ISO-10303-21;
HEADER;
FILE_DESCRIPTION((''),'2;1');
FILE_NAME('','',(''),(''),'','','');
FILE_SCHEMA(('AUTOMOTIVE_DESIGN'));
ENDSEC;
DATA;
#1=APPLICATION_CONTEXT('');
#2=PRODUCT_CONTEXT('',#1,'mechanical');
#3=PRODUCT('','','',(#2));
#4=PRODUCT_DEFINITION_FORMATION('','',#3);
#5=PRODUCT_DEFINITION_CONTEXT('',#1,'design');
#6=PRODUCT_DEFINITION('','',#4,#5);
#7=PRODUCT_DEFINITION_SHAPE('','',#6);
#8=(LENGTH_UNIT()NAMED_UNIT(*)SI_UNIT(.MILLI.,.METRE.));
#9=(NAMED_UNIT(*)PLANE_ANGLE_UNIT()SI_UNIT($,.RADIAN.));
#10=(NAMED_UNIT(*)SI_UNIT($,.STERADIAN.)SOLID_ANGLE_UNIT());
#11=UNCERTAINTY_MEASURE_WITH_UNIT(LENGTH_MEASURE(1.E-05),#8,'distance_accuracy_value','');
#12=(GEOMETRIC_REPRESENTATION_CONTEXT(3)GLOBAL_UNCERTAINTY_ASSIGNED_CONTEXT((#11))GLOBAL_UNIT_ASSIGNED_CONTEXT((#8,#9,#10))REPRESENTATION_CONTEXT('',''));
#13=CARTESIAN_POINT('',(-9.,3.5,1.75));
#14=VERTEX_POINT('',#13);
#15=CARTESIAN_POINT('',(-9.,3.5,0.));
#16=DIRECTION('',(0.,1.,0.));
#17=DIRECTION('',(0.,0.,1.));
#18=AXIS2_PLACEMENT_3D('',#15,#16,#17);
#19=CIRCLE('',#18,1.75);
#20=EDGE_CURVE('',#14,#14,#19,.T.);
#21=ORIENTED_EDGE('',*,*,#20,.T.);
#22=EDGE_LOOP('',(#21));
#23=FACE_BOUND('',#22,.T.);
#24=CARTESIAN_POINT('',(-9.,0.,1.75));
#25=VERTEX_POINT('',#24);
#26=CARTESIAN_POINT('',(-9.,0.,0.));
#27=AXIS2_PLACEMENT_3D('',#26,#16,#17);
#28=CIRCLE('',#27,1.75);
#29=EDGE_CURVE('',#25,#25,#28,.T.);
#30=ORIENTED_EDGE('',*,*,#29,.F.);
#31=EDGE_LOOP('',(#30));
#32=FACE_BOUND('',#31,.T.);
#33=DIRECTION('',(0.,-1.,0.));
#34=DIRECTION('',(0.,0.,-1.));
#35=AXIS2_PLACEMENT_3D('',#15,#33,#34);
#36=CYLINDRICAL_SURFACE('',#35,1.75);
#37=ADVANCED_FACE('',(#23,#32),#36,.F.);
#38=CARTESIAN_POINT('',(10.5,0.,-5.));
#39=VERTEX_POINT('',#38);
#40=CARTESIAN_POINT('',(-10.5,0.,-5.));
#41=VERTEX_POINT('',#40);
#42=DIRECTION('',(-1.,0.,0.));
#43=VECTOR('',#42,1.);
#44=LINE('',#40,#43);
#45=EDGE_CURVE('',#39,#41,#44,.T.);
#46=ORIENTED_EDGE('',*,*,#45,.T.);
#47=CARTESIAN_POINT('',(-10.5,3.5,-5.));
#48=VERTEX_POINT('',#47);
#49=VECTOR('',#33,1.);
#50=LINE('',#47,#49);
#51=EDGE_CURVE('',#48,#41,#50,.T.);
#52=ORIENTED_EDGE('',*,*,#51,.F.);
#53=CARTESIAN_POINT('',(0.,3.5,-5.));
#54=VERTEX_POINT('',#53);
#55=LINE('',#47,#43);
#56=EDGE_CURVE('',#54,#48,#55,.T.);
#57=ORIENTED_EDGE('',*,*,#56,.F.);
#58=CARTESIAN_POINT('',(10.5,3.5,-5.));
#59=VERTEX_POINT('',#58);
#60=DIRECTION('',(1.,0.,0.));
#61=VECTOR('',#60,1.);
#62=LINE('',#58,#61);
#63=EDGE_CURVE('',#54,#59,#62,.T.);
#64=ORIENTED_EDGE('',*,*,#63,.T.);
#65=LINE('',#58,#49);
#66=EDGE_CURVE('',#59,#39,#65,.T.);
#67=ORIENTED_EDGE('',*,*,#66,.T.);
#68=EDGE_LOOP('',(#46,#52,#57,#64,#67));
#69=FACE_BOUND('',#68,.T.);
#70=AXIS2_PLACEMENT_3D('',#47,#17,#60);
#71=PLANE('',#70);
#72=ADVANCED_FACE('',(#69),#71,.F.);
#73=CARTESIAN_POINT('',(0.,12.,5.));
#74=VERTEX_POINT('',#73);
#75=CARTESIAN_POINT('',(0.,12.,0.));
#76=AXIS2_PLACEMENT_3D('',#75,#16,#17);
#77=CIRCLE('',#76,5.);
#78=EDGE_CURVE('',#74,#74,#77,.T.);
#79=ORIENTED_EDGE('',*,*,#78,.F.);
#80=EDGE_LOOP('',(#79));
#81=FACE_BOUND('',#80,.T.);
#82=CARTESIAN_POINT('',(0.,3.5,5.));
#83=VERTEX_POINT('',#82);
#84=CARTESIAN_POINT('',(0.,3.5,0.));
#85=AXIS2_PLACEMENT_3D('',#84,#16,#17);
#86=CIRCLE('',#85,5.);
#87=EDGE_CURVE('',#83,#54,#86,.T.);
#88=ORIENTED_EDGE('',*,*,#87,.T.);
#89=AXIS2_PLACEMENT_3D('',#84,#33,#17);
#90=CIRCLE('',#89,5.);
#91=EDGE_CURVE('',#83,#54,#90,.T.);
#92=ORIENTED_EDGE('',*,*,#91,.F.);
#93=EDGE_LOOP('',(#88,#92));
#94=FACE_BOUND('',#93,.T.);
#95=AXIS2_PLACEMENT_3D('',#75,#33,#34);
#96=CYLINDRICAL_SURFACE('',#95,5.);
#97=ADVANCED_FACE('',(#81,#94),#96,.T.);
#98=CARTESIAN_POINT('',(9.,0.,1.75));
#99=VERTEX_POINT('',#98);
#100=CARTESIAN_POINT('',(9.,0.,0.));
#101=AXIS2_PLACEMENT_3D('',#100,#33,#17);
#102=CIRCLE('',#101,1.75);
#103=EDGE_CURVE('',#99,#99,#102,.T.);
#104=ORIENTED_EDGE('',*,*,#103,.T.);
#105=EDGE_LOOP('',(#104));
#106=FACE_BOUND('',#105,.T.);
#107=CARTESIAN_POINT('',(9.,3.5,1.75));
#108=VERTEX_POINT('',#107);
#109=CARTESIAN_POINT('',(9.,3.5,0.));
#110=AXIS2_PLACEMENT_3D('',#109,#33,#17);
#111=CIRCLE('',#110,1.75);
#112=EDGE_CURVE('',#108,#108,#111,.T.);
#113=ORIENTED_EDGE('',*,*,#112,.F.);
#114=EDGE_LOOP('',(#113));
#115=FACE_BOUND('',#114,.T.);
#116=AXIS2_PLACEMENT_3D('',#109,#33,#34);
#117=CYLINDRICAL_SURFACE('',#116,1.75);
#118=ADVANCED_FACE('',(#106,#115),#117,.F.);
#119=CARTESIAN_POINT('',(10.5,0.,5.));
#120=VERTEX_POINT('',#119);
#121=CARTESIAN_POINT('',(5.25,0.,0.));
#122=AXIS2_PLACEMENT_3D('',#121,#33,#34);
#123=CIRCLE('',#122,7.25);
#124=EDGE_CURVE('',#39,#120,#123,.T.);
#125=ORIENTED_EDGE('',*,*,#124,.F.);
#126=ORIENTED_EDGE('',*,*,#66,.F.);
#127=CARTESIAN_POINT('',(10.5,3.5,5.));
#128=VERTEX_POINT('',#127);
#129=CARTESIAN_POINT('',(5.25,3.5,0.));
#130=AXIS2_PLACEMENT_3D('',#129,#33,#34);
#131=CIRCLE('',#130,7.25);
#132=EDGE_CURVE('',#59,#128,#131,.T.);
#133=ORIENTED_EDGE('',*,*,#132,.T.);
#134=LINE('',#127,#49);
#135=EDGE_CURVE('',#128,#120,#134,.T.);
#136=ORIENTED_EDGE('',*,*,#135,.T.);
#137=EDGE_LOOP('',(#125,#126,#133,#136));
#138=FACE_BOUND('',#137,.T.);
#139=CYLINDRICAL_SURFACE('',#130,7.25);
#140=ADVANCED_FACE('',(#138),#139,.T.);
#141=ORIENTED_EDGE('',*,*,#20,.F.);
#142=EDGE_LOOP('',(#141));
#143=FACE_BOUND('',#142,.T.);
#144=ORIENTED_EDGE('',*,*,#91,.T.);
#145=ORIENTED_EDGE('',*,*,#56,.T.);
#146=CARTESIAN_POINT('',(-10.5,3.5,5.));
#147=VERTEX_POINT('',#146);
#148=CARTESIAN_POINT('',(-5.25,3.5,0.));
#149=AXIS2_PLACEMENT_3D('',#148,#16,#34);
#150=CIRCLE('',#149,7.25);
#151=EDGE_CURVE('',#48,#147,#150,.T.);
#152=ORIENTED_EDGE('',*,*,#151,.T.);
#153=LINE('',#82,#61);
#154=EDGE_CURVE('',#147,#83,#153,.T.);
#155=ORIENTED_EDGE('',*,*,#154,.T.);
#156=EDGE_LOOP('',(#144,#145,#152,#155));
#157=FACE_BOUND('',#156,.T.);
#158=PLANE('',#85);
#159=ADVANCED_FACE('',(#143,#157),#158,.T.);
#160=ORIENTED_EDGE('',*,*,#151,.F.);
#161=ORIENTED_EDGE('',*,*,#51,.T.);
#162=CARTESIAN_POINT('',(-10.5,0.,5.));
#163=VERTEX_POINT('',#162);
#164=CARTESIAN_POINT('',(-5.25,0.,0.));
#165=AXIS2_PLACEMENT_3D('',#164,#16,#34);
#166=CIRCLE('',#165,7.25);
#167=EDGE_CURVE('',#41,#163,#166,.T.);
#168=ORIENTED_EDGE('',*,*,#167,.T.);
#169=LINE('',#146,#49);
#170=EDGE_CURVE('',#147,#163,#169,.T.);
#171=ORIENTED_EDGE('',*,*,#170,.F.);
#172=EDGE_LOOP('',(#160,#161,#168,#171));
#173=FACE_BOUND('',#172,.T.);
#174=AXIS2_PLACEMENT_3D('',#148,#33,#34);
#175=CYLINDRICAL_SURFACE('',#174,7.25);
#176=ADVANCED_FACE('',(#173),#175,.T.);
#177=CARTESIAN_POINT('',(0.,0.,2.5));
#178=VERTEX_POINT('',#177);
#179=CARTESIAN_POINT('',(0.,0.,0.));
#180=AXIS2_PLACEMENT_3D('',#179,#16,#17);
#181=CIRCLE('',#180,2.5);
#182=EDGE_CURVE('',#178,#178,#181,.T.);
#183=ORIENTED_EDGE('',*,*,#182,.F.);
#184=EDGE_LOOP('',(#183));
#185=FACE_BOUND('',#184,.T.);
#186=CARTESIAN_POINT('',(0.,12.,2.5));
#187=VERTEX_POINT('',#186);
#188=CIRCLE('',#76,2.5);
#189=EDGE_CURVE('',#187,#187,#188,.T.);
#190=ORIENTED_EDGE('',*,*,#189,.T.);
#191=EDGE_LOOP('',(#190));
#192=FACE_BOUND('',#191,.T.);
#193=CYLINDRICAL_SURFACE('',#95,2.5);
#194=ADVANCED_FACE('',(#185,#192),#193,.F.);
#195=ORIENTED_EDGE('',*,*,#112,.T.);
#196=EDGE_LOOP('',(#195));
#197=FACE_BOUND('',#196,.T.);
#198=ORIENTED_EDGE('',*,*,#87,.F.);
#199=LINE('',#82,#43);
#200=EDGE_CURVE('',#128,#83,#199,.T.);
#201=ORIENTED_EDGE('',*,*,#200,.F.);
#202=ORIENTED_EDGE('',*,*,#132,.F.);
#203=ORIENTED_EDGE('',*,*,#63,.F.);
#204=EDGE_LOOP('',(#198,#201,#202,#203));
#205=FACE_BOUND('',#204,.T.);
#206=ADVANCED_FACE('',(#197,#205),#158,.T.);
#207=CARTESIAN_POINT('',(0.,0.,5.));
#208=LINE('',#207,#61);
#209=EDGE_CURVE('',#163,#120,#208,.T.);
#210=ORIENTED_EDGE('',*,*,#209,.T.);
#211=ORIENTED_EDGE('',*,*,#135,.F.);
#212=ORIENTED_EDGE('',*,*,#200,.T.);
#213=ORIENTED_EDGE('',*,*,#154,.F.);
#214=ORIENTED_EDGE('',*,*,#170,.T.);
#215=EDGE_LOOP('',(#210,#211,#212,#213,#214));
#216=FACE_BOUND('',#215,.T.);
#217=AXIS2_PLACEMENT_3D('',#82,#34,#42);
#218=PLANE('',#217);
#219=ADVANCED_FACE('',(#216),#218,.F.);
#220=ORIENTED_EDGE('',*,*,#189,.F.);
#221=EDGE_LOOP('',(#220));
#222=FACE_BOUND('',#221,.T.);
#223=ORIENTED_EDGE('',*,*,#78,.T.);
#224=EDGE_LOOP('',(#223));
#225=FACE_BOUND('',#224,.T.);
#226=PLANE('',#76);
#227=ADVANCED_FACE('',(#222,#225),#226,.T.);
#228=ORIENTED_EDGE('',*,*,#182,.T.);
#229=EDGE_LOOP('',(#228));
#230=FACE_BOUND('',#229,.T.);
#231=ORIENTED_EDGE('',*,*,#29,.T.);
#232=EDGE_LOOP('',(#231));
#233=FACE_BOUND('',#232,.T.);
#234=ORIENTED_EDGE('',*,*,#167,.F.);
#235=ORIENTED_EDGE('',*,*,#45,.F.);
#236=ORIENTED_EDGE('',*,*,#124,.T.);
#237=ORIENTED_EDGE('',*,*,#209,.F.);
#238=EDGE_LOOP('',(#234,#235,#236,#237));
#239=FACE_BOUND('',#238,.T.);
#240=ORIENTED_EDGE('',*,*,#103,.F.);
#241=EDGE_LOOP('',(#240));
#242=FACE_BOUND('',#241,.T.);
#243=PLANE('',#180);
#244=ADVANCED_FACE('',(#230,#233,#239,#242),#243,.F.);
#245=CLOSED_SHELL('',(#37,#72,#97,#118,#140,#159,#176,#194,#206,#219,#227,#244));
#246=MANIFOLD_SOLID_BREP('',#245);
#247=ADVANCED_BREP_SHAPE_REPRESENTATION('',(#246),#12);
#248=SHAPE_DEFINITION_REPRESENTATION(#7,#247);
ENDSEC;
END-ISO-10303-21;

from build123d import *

# Parameters (mm, degrees)
SKETCH1_R           = 5
SKETCH1_R_2         = 2.5
BOSS_EXTRUDE1_DEPTH = 12
SKETCH2_R           = 1.75
BOSS_EXTRUDE2_DEPTH = 3.5


with BuildPart() as part:
    # Sketch1 → Boss-Extrude1 (new body)
    with BuildSketch(Plane(origin=(0, 0, 0), x_dir=(1, 0, 0), z_dir=(0, 1, 0))):
        Circle(SKETCH1_R)
        Circle(SKETCH1_R_2, mode=Mode.SUBTRACT)
    extrude(amount=BOSS_EXTRUDE1_DEPTH)

    # Sketch2 → Boss-Extrude2 (add)
    with BuildSketch(Plane(origin=(0, 0, 0), x_dir=(1, 0, 0), z_dir=(0, 1, 0))):
        with BuildLine():
            Line((0, -5), (-10.5, -5))
            ThreePointArc((-10.5, -5), (-12.5, 0), (-10.5, 5))
            Line((-10.5, 5), (0, 5))
            ThreePointArc((0, 5), (-5, 0), (0, -5))
        make_face()
        with Locations((-9, 0)):
            Circle(SKETCH2_R, mode=Mode.SUBTRACT)
    boss_extrude2 = extrude(amount=BOSS_EXTRUDE2_DEPTH)

    # Mirror1: Boss-Extrude2 across plane
    add(boss_extrude2.mirror(Plane(origin=(0, 0, 0), x_dir=(0, 0, 1), z_dir=(1, 0, 0))))


solid = part.part
